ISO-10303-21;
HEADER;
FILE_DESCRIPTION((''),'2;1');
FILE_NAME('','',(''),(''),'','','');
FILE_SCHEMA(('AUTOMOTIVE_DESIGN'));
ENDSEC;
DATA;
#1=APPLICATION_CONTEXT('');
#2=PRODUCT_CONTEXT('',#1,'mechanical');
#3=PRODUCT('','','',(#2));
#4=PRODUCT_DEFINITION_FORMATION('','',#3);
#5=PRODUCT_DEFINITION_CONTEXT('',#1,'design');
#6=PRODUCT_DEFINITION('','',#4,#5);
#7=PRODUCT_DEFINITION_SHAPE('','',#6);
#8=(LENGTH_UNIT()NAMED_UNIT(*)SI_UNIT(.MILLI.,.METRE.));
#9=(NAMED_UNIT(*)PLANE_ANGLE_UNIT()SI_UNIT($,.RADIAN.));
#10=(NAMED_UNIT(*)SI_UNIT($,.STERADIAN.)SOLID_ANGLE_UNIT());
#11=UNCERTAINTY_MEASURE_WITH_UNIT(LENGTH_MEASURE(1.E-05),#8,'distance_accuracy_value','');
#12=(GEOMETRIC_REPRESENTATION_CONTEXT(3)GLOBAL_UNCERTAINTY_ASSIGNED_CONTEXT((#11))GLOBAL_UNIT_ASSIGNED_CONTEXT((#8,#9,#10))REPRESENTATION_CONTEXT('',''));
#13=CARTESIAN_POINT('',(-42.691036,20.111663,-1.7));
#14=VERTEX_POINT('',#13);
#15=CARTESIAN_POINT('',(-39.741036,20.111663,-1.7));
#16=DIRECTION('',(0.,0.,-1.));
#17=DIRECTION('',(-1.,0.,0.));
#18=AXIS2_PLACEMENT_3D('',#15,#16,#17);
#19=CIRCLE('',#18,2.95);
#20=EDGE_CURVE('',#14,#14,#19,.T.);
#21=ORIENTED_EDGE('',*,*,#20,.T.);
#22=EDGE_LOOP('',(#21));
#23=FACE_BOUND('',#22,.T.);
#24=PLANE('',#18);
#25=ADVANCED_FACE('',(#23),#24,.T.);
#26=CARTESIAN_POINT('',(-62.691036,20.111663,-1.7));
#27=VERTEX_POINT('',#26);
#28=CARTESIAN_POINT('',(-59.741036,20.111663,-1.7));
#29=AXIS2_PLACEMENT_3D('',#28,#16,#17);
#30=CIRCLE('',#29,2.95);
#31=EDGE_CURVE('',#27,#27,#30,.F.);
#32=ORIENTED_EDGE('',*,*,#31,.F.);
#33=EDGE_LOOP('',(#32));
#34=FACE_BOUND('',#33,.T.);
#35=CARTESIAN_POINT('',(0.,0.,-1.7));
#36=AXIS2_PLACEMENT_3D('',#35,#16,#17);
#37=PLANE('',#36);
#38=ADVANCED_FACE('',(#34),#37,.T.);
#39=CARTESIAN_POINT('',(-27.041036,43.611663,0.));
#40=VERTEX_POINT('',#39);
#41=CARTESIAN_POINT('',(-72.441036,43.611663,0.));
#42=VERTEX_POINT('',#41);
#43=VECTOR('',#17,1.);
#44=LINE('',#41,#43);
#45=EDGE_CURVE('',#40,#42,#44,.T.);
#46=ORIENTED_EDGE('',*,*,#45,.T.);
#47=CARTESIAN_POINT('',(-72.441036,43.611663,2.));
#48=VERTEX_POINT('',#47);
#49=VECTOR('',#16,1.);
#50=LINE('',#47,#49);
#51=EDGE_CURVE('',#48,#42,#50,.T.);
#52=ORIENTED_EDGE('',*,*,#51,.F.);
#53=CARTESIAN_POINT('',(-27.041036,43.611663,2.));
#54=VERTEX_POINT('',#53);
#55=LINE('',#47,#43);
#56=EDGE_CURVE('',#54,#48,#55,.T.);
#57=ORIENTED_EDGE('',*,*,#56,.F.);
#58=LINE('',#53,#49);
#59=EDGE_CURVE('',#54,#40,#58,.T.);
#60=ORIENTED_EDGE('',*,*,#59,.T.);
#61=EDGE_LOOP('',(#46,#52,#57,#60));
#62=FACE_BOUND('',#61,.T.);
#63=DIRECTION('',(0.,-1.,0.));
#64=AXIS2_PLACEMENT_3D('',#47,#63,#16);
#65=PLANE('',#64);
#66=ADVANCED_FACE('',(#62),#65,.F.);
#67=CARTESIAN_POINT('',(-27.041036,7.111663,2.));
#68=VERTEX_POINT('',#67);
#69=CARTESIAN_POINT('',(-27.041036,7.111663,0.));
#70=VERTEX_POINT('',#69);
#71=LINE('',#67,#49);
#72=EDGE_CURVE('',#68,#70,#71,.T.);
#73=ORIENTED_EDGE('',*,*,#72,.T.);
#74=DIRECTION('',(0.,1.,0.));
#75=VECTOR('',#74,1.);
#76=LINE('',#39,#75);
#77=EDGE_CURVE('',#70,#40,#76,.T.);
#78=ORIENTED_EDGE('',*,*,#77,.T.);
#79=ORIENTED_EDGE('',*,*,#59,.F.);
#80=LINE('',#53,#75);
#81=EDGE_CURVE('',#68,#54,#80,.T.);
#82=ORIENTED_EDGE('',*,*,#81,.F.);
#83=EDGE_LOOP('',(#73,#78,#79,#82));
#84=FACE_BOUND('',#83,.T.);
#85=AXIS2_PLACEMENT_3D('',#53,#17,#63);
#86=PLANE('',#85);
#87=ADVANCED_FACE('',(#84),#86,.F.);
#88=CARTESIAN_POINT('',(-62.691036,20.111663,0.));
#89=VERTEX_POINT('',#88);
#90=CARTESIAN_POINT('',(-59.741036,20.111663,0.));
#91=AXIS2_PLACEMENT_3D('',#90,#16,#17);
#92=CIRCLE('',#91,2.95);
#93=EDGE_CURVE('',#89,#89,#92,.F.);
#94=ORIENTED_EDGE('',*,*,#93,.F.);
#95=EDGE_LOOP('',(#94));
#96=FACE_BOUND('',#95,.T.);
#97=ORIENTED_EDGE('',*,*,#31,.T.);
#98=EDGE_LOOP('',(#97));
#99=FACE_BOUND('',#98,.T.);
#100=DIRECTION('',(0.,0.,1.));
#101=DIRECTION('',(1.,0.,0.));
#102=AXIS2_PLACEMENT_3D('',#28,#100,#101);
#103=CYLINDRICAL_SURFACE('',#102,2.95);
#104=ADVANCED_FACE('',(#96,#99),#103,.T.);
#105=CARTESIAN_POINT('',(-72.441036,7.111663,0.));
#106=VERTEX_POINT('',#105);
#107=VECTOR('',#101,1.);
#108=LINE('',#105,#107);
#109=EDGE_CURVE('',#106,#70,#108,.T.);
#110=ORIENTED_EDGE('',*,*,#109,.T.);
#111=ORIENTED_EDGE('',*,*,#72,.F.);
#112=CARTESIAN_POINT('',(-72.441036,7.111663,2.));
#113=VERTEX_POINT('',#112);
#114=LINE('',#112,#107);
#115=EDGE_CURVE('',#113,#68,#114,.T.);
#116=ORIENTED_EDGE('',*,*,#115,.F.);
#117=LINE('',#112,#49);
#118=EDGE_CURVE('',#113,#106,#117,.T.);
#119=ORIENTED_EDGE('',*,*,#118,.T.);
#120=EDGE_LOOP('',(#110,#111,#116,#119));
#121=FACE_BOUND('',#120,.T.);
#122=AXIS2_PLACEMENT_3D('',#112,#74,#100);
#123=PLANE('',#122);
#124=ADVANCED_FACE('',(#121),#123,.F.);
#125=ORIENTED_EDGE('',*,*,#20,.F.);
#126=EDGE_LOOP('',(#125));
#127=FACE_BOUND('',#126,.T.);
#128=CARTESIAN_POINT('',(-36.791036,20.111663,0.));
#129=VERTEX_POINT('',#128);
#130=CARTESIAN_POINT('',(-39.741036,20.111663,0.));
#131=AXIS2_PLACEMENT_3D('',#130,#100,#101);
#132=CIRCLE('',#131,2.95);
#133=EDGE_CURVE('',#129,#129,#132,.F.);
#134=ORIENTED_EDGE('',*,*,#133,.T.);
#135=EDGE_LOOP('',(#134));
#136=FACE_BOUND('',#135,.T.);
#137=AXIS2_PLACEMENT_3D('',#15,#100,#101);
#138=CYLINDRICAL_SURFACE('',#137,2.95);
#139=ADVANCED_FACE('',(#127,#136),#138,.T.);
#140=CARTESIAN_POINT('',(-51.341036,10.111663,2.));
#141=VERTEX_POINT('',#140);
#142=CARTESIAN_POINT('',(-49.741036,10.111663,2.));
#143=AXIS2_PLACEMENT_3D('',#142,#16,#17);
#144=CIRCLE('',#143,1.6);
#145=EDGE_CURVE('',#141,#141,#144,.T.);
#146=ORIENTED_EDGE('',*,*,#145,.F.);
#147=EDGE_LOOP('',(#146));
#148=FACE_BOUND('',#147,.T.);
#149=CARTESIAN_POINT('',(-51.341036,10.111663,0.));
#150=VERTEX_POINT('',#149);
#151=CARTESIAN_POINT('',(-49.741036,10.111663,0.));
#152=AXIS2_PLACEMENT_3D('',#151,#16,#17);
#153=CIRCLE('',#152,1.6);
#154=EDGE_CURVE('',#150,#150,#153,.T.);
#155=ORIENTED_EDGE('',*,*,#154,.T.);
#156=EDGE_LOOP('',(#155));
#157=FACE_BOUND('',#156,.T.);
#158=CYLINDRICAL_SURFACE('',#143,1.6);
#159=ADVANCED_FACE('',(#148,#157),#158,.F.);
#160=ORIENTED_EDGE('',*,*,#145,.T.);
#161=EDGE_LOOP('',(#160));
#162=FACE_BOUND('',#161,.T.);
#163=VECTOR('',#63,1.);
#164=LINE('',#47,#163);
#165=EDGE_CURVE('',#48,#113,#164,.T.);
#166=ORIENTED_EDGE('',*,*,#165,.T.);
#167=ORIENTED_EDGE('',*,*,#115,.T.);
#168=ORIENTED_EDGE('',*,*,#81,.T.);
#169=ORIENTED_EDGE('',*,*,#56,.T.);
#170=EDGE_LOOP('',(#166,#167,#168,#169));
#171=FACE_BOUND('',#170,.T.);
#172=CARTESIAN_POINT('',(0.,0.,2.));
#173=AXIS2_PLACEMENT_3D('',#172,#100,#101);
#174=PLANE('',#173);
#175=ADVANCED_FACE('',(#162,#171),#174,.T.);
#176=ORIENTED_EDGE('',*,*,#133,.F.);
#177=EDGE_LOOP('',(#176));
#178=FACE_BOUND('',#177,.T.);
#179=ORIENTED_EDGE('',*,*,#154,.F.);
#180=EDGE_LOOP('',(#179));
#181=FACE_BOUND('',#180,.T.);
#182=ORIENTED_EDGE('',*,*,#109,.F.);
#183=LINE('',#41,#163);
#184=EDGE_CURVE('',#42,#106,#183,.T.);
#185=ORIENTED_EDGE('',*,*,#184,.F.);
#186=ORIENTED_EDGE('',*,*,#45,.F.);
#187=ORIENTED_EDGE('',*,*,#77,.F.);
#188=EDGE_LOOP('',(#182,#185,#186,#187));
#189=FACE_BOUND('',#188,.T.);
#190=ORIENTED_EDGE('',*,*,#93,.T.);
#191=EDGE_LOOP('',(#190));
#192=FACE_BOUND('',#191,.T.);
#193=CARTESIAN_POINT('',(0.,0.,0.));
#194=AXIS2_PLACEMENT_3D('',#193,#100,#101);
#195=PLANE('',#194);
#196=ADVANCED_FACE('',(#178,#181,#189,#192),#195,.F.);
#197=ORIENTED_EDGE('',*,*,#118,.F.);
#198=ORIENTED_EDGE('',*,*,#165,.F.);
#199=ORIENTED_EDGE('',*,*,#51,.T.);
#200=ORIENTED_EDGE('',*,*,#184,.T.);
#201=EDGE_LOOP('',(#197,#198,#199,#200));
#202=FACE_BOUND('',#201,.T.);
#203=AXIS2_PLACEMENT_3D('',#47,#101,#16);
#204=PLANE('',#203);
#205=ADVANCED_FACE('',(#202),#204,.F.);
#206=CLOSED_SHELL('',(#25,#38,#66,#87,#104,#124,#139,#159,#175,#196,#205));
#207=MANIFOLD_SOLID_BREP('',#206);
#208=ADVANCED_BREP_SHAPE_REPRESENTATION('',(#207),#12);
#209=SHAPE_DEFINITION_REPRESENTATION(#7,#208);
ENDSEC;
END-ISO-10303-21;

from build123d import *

# Parameters (mm, degrees)
SKETCH_1_W          = 45.4
SKETCH_1_H          = 36.5
EXTRUDE_1_DEPTH     = 2
SKETCH_10_R         = 1.6
CUT_EXTRUDE_9_DEPTH = 85.579435184
SKETCH_10_3_R       = 2.95
EXTRUDE_3_DEPTH     = 1.7


with BuildPart() as part:
    # 草图1 → 凸台-拉伸1 (new body)
    with BuildSketch(Plane.XY):
        with Locations((-49.741035857, 25.361663348)):
            Rectangle(SKETCH_1_W, SKETCH_1_H)
    extrude(amount=EXTRUDE_1_DEPTH)

    # 草图10 → 切除-拉伸9 (cut, through all)
    with BuildSketch(Plane(origin=(0, 0, 0), x_dir=(-1, 0, 0), z_dir=(0, 0, -1))):
        with Locations((49.741035857, 10.111663348)):
            Circle(SKETCH_10_R)
    extrude(amount=-CUT_EXTRUDE_9_DEPTH, mode=Mode.SUBTRACT)

    # 草图10<3> → 凸台-拉伸3 (add)
    with BuildSketch(Plane(origin=(0, 0, 0), x_dir=(-1, 0, 0), z_dir=(0, 0, -1))):
        with Locations((39.741035857, 20.111663348)):
            Circle(SKETCH_10_3_R)
        with Locations((59.741035857, 20.111663348)):
            Circle(SKETCH_10_3_R)
    extrude(amount=EXTRUDE_3_DEPTH)


solid = part.part
